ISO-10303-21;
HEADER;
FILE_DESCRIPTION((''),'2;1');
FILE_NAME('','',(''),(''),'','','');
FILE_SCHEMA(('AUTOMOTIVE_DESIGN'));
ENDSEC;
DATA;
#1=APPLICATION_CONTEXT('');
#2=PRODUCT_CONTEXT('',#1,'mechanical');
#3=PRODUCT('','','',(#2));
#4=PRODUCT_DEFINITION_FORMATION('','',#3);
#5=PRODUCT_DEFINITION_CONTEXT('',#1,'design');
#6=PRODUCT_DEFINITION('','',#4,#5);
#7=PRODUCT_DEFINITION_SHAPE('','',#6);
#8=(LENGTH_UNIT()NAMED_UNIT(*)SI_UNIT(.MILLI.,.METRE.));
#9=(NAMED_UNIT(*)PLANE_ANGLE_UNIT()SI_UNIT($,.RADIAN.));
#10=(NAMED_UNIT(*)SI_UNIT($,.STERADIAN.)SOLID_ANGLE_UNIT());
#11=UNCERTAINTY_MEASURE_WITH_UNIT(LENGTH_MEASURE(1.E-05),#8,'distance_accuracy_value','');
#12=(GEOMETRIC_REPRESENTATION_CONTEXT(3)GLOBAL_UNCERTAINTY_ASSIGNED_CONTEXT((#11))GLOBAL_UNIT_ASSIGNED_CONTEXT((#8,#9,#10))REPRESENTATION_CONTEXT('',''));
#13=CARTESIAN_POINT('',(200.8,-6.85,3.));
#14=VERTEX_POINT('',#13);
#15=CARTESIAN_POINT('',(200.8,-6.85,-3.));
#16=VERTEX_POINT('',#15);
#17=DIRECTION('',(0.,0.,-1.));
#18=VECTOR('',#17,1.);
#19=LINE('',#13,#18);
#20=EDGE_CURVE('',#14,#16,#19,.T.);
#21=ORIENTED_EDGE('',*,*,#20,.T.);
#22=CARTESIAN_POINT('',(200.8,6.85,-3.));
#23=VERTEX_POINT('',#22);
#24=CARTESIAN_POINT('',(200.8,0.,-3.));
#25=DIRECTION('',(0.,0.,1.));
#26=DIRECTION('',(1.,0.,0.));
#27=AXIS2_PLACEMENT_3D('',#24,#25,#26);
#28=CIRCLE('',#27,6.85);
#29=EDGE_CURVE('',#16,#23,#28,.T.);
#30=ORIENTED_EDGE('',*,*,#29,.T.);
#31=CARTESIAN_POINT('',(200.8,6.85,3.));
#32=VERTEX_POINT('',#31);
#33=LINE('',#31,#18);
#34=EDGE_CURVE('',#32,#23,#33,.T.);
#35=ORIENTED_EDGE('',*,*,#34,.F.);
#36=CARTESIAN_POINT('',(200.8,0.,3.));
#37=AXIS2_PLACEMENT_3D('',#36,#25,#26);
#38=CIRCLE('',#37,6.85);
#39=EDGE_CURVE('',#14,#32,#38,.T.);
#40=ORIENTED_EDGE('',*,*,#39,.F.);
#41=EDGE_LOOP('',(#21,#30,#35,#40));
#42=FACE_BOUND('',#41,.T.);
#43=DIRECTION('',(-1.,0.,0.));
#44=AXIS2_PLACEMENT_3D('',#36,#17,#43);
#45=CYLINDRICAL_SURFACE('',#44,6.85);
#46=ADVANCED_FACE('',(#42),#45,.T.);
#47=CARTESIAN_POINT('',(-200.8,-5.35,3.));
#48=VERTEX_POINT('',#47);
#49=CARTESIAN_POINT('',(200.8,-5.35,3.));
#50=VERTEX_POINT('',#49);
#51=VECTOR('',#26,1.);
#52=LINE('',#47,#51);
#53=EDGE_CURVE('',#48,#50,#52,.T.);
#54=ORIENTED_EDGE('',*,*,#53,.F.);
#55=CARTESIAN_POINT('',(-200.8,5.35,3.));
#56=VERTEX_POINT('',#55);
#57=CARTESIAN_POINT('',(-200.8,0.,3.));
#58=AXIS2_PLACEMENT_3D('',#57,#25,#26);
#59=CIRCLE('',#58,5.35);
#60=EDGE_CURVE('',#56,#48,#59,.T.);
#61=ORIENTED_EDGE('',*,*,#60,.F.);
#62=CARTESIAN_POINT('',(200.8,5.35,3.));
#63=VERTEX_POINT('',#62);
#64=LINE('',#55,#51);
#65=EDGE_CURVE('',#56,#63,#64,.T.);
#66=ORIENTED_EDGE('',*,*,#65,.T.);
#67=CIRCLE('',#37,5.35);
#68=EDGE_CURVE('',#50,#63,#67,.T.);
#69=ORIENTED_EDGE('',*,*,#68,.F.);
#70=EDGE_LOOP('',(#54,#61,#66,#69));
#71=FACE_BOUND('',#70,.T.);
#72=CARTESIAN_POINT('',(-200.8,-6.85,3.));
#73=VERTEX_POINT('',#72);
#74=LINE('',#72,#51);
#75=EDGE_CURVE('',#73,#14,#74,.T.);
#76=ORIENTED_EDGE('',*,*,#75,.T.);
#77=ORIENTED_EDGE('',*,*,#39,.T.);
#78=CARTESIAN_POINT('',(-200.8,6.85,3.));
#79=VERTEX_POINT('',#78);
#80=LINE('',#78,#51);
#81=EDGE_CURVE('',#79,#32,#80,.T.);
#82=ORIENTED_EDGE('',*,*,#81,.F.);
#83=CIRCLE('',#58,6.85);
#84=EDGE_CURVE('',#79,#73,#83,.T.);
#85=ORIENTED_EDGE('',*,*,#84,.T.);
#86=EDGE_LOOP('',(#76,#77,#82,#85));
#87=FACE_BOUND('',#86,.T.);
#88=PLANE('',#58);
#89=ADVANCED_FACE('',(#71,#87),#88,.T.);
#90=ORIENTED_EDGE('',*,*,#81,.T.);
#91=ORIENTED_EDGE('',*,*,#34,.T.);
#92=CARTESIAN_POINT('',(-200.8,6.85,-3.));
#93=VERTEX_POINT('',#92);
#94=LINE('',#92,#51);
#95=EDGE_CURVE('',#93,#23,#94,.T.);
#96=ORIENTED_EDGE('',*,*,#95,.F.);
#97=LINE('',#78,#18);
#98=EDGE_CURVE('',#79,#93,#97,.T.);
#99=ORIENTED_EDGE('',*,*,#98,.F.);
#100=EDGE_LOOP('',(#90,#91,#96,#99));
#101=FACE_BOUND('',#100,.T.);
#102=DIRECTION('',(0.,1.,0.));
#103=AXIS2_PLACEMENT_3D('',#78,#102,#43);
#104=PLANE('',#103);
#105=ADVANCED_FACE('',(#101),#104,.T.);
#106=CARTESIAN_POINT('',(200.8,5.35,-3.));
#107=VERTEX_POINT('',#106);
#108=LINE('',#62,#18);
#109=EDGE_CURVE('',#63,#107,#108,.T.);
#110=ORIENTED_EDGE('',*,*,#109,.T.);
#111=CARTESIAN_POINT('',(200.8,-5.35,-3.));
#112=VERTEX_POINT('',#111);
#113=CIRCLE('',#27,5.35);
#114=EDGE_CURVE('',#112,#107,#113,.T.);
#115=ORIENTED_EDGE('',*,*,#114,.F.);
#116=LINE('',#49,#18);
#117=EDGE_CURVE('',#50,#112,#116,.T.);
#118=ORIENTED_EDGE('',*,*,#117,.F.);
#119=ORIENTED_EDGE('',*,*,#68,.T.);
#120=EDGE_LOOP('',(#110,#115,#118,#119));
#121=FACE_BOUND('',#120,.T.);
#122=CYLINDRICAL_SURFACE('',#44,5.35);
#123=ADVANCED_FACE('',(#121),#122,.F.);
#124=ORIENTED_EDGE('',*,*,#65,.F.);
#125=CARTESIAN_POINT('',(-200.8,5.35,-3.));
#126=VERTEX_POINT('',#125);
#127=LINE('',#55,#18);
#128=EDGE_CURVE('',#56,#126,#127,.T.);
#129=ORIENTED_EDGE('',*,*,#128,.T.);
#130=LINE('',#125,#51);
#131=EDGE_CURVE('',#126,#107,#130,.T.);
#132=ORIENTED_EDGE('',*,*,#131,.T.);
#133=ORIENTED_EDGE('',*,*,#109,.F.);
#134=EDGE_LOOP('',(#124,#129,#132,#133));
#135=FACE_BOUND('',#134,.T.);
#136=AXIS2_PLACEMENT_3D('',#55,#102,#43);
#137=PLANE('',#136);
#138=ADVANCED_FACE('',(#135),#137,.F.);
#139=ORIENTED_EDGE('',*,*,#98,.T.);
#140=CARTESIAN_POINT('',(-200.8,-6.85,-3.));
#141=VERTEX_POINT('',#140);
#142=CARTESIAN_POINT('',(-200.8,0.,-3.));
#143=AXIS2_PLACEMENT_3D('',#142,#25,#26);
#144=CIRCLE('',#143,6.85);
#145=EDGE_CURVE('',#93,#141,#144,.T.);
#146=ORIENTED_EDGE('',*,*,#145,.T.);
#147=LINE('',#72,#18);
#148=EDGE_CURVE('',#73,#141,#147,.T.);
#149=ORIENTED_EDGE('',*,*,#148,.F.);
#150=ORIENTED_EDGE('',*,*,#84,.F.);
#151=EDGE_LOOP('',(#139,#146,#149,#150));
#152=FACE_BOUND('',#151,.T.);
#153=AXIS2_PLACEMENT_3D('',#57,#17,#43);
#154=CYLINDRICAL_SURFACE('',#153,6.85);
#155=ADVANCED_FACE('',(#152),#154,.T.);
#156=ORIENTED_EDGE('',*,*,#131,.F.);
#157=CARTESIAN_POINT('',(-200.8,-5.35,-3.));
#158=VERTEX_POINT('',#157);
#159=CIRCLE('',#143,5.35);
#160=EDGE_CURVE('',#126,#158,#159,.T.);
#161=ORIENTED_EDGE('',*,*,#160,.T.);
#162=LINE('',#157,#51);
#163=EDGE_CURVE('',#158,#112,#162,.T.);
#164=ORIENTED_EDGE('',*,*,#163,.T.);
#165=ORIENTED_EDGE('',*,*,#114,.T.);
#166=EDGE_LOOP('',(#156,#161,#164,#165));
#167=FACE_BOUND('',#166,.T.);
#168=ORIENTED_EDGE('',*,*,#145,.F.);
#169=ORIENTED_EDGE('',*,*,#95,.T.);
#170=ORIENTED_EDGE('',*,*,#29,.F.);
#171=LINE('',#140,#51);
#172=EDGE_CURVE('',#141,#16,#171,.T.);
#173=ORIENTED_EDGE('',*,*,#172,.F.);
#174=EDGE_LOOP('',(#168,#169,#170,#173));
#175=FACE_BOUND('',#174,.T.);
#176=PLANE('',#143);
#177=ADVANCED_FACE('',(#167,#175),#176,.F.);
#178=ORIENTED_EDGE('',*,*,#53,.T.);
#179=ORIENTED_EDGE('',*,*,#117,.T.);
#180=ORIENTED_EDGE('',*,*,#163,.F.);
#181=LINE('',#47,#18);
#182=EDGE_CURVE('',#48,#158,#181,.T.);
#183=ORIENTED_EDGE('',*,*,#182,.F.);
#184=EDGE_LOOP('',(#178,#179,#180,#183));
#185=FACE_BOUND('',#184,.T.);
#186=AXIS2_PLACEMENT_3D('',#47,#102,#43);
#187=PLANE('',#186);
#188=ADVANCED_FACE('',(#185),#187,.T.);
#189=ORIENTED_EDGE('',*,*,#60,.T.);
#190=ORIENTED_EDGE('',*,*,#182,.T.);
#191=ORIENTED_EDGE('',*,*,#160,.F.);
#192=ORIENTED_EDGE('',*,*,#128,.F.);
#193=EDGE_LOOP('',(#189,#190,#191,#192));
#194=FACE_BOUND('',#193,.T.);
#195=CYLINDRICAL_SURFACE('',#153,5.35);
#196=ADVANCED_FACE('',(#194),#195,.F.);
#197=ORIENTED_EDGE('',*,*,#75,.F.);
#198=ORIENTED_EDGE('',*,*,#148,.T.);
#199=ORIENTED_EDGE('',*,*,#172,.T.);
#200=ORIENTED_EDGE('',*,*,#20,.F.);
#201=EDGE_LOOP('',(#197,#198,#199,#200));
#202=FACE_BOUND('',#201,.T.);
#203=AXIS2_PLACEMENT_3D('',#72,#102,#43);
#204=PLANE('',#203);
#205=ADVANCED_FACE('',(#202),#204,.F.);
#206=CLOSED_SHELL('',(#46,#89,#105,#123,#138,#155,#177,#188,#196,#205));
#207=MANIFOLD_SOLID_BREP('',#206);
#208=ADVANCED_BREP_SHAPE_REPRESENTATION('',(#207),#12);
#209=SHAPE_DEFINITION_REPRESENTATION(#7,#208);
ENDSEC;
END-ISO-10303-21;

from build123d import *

# Parameters (mm, degrees)
EXTRUDE_THIN1_DEPTH = 3


with BuildPart() as part:
    # Sketch1 → Extrude-Thin1 (new, symmetric)
    with BuildSketch(Plane.XY):
        with BuildLine():
            Line((200.8, -6.85), (-200.8, -6.85))
            ThreePointArc((-200.8, -6.85), (-207.65, 0), (-200.8, 6.85))
            Line((-200.8, 6.85), (200.8, 6.85))
            ThreePointArc((200.8, 6.85), (207.65, 0), (200.8, -6.85))
        make_face()
        with BuildLine():
            Line((200.8, -5.35), (-200.8, -5.35))
            ThreePointArc((-200.8, -5.35), (-206.15, 0), (-200.8, 5.35))
            Line((-200.8, 5.35), (200.8, 5.35))
            ThreePointArc((200.8, 5.35), (206.15, 0), (200.8, -5.35))
        make_face(mode=Mode.SUBTRACT)
    extrude(amount=EXTRUDE_THIN1_DEPTH, both=True)


solid = part.part
